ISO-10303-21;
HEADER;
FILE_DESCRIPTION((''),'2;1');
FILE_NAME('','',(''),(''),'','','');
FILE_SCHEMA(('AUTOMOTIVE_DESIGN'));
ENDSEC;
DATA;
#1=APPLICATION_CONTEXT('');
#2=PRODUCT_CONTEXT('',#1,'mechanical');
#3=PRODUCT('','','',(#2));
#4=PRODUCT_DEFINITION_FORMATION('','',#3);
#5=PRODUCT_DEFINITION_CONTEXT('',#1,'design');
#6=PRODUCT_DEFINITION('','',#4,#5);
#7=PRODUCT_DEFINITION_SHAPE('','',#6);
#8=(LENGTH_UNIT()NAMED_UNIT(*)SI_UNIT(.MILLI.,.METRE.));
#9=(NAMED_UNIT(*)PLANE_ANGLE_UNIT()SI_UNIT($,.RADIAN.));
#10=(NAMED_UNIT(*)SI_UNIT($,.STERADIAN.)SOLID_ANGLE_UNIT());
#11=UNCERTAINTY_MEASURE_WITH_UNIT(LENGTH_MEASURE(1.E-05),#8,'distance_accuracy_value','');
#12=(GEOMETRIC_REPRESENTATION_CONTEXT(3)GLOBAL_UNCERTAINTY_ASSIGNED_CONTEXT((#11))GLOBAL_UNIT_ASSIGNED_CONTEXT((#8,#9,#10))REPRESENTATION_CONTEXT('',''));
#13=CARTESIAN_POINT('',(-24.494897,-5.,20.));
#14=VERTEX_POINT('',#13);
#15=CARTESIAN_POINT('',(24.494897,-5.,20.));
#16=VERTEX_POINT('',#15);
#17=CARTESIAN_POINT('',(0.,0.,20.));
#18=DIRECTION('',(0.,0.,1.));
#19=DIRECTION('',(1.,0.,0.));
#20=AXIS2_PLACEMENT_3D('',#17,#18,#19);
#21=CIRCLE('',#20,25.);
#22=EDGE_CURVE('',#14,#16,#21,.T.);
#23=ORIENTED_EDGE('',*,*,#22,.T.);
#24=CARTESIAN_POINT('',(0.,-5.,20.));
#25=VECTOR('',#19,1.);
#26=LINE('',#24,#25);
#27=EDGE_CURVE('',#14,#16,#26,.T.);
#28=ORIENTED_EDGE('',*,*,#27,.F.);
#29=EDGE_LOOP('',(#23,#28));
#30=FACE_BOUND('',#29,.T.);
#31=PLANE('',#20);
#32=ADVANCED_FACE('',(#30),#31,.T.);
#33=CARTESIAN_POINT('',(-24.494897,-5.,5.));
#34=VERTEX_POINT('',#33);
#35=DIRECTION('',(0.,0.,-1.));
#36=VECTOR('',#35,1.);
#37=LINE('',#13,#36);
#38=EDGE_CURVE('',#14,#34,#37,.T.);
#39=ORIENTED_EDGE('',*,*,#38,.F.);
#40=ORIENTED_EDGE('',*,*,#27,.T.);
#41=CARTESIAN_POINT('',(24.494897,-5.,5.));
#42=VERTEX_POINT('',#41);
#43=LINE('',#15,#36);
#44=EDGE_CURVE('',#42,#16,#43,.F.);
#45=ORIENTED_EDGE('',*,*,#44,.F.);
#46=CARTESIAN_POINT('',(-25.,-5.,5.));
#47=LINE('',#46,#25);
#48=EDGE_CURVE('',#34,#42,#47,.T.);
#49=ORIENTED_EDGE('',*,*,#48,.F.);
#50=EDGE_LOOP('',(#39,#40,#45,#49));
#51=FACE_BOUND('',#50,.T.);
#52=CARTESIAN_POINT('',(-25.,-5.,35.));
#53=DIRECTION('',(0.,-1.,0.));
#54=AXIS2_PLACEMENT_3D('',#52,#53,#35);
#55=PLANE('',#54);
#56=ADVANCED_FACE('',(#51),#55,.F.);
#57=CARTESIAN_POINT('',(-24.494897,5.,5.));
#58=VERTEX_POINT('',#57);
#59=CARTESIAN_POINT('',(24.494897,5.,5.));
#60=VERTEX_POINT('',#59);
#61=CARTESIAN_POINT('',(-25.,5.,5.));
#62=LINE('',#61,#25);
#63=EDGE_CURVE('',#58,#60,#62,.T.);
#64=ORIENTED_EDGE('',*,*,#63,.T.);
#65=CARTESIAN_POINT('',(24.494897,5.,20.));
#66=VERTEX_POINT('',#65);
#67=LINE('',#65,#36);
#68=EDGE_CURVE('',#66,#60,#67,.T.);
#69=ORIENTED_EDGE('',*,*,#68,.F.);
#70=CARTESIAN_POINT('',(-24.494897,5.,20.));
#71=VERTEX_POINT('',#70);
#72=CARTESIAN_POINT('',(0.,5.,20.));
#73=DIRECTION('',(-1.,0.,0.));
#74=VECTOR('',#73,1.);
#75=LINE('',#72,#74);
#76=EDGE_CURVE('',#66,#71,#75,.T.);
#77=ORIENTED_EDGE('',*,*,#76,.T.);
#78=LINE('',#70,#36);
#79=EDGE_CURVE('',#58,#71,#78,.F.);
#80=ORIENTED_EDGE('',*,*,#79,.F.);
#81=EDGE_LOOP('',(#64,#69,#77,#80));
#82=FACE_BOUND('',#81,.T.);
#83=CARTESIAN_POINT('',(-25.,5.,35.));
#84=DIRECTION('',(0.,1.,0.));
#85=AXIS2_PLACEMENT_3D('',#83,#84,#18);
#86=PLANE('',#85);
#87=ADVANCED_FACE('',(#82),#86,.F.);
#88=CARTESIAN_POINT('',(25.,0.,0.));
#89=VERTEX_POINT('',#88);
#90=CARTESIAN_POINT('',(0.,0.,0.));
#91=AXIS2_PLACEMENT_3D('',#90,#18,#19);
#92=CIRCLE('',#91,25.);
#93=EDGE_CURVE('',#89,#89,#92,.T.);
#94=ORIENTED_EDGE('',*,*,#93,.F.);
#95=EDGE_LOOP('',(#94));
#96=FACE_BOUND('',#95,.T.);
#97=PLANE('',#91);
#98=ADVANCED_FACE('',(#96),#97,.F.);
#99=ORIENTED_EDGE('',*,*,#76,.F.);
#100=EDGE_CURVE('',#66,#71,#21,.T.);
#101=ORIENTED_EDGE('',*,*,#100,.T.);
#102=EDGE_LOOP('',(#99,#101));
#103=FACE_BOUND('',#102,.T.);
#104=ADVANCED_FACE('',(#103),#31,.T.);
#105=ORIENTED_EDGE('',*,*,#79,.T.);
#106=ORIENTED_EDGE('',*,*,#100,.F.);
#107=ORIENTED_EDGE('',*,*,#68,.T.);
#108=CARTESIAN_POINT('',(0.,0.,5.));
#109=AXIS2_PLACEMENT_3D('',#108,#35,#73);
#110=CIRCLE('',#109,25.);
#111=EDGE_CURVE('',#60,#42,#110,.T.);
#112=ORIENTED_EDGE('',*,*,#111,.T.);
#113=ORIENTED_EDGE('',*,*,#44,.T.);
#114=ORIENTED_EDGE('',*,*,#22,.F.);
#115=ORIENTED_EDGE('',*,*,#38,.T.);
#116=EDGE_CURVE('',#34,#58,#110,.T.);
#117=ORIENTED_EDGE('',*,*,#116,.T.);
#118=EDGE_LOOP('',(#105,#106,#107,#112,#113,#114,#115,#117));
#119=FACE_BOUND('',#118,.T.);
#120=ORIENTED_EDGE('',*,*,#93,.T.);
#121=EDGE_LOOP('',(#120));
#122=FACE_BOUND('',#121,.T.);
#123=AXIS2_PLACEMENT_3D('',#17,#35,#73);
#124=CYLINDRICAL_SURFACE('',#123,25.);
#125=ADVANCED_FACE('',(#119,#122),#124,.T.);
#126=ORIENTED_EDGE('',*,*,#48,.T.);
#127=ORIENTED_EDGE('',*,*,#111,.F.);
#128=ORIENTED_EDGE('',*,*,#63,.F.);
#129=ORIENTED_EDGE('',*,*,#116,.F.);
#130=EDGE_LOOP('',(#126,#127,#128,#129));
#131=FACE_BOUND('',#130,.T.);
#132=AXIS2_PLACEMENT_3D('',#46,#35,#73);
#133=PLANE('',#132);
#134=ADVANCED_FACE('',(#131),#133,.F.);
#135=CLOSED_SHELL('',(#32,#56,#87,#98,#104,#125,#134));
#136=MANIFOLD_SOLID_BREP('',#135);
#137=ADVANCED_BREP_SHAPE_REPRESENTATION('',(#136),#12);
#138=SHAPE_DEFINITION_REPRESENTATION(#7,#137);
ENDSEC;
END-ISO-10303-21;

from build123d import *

# Parameters (mm, degrees)
SKETCH1_R               = 25
BOSS_EXTRUDE1_DEPTH     = 20
CUT_EXTRUDE1_DEPTH      = 41.620192023
CUT_EXTRUDE1_DEPTH_BACK = 41.620192023
SKETCH2_W               = 30
SKETCH2_H               = 10


with BuildPart() as part:
    # Sketch1 → Boss-Extrude1 (new body)
    with BuildSketch(Plane.XY):
        Circle(SKETCH1_R)
    extrude(amount=BOSS_EXTRUDE1_DEPTH)

    # Sketch2 → Cut-Extrude1 (cut, two sides: drawn at the far end of the back side and taken through both)
    with BuildSketch(Plane(origin=(0, 0, 0), x_dir=(0, 0, -1), z_dir=(1, 0, 0)).offset(-CUT_EXTRUDE1_DEPTH_BACK)):
        with Locations((-20, 0)):
            Rectangle(SKETCH2_W, SKETCH2_H)
    extrude(amount=CUT_EXTRUDE1_DEPTH + CUT_EXTRUDE1_DEPTH_BACK, mode=Mode.SUBTRACT)


solid = part.part
